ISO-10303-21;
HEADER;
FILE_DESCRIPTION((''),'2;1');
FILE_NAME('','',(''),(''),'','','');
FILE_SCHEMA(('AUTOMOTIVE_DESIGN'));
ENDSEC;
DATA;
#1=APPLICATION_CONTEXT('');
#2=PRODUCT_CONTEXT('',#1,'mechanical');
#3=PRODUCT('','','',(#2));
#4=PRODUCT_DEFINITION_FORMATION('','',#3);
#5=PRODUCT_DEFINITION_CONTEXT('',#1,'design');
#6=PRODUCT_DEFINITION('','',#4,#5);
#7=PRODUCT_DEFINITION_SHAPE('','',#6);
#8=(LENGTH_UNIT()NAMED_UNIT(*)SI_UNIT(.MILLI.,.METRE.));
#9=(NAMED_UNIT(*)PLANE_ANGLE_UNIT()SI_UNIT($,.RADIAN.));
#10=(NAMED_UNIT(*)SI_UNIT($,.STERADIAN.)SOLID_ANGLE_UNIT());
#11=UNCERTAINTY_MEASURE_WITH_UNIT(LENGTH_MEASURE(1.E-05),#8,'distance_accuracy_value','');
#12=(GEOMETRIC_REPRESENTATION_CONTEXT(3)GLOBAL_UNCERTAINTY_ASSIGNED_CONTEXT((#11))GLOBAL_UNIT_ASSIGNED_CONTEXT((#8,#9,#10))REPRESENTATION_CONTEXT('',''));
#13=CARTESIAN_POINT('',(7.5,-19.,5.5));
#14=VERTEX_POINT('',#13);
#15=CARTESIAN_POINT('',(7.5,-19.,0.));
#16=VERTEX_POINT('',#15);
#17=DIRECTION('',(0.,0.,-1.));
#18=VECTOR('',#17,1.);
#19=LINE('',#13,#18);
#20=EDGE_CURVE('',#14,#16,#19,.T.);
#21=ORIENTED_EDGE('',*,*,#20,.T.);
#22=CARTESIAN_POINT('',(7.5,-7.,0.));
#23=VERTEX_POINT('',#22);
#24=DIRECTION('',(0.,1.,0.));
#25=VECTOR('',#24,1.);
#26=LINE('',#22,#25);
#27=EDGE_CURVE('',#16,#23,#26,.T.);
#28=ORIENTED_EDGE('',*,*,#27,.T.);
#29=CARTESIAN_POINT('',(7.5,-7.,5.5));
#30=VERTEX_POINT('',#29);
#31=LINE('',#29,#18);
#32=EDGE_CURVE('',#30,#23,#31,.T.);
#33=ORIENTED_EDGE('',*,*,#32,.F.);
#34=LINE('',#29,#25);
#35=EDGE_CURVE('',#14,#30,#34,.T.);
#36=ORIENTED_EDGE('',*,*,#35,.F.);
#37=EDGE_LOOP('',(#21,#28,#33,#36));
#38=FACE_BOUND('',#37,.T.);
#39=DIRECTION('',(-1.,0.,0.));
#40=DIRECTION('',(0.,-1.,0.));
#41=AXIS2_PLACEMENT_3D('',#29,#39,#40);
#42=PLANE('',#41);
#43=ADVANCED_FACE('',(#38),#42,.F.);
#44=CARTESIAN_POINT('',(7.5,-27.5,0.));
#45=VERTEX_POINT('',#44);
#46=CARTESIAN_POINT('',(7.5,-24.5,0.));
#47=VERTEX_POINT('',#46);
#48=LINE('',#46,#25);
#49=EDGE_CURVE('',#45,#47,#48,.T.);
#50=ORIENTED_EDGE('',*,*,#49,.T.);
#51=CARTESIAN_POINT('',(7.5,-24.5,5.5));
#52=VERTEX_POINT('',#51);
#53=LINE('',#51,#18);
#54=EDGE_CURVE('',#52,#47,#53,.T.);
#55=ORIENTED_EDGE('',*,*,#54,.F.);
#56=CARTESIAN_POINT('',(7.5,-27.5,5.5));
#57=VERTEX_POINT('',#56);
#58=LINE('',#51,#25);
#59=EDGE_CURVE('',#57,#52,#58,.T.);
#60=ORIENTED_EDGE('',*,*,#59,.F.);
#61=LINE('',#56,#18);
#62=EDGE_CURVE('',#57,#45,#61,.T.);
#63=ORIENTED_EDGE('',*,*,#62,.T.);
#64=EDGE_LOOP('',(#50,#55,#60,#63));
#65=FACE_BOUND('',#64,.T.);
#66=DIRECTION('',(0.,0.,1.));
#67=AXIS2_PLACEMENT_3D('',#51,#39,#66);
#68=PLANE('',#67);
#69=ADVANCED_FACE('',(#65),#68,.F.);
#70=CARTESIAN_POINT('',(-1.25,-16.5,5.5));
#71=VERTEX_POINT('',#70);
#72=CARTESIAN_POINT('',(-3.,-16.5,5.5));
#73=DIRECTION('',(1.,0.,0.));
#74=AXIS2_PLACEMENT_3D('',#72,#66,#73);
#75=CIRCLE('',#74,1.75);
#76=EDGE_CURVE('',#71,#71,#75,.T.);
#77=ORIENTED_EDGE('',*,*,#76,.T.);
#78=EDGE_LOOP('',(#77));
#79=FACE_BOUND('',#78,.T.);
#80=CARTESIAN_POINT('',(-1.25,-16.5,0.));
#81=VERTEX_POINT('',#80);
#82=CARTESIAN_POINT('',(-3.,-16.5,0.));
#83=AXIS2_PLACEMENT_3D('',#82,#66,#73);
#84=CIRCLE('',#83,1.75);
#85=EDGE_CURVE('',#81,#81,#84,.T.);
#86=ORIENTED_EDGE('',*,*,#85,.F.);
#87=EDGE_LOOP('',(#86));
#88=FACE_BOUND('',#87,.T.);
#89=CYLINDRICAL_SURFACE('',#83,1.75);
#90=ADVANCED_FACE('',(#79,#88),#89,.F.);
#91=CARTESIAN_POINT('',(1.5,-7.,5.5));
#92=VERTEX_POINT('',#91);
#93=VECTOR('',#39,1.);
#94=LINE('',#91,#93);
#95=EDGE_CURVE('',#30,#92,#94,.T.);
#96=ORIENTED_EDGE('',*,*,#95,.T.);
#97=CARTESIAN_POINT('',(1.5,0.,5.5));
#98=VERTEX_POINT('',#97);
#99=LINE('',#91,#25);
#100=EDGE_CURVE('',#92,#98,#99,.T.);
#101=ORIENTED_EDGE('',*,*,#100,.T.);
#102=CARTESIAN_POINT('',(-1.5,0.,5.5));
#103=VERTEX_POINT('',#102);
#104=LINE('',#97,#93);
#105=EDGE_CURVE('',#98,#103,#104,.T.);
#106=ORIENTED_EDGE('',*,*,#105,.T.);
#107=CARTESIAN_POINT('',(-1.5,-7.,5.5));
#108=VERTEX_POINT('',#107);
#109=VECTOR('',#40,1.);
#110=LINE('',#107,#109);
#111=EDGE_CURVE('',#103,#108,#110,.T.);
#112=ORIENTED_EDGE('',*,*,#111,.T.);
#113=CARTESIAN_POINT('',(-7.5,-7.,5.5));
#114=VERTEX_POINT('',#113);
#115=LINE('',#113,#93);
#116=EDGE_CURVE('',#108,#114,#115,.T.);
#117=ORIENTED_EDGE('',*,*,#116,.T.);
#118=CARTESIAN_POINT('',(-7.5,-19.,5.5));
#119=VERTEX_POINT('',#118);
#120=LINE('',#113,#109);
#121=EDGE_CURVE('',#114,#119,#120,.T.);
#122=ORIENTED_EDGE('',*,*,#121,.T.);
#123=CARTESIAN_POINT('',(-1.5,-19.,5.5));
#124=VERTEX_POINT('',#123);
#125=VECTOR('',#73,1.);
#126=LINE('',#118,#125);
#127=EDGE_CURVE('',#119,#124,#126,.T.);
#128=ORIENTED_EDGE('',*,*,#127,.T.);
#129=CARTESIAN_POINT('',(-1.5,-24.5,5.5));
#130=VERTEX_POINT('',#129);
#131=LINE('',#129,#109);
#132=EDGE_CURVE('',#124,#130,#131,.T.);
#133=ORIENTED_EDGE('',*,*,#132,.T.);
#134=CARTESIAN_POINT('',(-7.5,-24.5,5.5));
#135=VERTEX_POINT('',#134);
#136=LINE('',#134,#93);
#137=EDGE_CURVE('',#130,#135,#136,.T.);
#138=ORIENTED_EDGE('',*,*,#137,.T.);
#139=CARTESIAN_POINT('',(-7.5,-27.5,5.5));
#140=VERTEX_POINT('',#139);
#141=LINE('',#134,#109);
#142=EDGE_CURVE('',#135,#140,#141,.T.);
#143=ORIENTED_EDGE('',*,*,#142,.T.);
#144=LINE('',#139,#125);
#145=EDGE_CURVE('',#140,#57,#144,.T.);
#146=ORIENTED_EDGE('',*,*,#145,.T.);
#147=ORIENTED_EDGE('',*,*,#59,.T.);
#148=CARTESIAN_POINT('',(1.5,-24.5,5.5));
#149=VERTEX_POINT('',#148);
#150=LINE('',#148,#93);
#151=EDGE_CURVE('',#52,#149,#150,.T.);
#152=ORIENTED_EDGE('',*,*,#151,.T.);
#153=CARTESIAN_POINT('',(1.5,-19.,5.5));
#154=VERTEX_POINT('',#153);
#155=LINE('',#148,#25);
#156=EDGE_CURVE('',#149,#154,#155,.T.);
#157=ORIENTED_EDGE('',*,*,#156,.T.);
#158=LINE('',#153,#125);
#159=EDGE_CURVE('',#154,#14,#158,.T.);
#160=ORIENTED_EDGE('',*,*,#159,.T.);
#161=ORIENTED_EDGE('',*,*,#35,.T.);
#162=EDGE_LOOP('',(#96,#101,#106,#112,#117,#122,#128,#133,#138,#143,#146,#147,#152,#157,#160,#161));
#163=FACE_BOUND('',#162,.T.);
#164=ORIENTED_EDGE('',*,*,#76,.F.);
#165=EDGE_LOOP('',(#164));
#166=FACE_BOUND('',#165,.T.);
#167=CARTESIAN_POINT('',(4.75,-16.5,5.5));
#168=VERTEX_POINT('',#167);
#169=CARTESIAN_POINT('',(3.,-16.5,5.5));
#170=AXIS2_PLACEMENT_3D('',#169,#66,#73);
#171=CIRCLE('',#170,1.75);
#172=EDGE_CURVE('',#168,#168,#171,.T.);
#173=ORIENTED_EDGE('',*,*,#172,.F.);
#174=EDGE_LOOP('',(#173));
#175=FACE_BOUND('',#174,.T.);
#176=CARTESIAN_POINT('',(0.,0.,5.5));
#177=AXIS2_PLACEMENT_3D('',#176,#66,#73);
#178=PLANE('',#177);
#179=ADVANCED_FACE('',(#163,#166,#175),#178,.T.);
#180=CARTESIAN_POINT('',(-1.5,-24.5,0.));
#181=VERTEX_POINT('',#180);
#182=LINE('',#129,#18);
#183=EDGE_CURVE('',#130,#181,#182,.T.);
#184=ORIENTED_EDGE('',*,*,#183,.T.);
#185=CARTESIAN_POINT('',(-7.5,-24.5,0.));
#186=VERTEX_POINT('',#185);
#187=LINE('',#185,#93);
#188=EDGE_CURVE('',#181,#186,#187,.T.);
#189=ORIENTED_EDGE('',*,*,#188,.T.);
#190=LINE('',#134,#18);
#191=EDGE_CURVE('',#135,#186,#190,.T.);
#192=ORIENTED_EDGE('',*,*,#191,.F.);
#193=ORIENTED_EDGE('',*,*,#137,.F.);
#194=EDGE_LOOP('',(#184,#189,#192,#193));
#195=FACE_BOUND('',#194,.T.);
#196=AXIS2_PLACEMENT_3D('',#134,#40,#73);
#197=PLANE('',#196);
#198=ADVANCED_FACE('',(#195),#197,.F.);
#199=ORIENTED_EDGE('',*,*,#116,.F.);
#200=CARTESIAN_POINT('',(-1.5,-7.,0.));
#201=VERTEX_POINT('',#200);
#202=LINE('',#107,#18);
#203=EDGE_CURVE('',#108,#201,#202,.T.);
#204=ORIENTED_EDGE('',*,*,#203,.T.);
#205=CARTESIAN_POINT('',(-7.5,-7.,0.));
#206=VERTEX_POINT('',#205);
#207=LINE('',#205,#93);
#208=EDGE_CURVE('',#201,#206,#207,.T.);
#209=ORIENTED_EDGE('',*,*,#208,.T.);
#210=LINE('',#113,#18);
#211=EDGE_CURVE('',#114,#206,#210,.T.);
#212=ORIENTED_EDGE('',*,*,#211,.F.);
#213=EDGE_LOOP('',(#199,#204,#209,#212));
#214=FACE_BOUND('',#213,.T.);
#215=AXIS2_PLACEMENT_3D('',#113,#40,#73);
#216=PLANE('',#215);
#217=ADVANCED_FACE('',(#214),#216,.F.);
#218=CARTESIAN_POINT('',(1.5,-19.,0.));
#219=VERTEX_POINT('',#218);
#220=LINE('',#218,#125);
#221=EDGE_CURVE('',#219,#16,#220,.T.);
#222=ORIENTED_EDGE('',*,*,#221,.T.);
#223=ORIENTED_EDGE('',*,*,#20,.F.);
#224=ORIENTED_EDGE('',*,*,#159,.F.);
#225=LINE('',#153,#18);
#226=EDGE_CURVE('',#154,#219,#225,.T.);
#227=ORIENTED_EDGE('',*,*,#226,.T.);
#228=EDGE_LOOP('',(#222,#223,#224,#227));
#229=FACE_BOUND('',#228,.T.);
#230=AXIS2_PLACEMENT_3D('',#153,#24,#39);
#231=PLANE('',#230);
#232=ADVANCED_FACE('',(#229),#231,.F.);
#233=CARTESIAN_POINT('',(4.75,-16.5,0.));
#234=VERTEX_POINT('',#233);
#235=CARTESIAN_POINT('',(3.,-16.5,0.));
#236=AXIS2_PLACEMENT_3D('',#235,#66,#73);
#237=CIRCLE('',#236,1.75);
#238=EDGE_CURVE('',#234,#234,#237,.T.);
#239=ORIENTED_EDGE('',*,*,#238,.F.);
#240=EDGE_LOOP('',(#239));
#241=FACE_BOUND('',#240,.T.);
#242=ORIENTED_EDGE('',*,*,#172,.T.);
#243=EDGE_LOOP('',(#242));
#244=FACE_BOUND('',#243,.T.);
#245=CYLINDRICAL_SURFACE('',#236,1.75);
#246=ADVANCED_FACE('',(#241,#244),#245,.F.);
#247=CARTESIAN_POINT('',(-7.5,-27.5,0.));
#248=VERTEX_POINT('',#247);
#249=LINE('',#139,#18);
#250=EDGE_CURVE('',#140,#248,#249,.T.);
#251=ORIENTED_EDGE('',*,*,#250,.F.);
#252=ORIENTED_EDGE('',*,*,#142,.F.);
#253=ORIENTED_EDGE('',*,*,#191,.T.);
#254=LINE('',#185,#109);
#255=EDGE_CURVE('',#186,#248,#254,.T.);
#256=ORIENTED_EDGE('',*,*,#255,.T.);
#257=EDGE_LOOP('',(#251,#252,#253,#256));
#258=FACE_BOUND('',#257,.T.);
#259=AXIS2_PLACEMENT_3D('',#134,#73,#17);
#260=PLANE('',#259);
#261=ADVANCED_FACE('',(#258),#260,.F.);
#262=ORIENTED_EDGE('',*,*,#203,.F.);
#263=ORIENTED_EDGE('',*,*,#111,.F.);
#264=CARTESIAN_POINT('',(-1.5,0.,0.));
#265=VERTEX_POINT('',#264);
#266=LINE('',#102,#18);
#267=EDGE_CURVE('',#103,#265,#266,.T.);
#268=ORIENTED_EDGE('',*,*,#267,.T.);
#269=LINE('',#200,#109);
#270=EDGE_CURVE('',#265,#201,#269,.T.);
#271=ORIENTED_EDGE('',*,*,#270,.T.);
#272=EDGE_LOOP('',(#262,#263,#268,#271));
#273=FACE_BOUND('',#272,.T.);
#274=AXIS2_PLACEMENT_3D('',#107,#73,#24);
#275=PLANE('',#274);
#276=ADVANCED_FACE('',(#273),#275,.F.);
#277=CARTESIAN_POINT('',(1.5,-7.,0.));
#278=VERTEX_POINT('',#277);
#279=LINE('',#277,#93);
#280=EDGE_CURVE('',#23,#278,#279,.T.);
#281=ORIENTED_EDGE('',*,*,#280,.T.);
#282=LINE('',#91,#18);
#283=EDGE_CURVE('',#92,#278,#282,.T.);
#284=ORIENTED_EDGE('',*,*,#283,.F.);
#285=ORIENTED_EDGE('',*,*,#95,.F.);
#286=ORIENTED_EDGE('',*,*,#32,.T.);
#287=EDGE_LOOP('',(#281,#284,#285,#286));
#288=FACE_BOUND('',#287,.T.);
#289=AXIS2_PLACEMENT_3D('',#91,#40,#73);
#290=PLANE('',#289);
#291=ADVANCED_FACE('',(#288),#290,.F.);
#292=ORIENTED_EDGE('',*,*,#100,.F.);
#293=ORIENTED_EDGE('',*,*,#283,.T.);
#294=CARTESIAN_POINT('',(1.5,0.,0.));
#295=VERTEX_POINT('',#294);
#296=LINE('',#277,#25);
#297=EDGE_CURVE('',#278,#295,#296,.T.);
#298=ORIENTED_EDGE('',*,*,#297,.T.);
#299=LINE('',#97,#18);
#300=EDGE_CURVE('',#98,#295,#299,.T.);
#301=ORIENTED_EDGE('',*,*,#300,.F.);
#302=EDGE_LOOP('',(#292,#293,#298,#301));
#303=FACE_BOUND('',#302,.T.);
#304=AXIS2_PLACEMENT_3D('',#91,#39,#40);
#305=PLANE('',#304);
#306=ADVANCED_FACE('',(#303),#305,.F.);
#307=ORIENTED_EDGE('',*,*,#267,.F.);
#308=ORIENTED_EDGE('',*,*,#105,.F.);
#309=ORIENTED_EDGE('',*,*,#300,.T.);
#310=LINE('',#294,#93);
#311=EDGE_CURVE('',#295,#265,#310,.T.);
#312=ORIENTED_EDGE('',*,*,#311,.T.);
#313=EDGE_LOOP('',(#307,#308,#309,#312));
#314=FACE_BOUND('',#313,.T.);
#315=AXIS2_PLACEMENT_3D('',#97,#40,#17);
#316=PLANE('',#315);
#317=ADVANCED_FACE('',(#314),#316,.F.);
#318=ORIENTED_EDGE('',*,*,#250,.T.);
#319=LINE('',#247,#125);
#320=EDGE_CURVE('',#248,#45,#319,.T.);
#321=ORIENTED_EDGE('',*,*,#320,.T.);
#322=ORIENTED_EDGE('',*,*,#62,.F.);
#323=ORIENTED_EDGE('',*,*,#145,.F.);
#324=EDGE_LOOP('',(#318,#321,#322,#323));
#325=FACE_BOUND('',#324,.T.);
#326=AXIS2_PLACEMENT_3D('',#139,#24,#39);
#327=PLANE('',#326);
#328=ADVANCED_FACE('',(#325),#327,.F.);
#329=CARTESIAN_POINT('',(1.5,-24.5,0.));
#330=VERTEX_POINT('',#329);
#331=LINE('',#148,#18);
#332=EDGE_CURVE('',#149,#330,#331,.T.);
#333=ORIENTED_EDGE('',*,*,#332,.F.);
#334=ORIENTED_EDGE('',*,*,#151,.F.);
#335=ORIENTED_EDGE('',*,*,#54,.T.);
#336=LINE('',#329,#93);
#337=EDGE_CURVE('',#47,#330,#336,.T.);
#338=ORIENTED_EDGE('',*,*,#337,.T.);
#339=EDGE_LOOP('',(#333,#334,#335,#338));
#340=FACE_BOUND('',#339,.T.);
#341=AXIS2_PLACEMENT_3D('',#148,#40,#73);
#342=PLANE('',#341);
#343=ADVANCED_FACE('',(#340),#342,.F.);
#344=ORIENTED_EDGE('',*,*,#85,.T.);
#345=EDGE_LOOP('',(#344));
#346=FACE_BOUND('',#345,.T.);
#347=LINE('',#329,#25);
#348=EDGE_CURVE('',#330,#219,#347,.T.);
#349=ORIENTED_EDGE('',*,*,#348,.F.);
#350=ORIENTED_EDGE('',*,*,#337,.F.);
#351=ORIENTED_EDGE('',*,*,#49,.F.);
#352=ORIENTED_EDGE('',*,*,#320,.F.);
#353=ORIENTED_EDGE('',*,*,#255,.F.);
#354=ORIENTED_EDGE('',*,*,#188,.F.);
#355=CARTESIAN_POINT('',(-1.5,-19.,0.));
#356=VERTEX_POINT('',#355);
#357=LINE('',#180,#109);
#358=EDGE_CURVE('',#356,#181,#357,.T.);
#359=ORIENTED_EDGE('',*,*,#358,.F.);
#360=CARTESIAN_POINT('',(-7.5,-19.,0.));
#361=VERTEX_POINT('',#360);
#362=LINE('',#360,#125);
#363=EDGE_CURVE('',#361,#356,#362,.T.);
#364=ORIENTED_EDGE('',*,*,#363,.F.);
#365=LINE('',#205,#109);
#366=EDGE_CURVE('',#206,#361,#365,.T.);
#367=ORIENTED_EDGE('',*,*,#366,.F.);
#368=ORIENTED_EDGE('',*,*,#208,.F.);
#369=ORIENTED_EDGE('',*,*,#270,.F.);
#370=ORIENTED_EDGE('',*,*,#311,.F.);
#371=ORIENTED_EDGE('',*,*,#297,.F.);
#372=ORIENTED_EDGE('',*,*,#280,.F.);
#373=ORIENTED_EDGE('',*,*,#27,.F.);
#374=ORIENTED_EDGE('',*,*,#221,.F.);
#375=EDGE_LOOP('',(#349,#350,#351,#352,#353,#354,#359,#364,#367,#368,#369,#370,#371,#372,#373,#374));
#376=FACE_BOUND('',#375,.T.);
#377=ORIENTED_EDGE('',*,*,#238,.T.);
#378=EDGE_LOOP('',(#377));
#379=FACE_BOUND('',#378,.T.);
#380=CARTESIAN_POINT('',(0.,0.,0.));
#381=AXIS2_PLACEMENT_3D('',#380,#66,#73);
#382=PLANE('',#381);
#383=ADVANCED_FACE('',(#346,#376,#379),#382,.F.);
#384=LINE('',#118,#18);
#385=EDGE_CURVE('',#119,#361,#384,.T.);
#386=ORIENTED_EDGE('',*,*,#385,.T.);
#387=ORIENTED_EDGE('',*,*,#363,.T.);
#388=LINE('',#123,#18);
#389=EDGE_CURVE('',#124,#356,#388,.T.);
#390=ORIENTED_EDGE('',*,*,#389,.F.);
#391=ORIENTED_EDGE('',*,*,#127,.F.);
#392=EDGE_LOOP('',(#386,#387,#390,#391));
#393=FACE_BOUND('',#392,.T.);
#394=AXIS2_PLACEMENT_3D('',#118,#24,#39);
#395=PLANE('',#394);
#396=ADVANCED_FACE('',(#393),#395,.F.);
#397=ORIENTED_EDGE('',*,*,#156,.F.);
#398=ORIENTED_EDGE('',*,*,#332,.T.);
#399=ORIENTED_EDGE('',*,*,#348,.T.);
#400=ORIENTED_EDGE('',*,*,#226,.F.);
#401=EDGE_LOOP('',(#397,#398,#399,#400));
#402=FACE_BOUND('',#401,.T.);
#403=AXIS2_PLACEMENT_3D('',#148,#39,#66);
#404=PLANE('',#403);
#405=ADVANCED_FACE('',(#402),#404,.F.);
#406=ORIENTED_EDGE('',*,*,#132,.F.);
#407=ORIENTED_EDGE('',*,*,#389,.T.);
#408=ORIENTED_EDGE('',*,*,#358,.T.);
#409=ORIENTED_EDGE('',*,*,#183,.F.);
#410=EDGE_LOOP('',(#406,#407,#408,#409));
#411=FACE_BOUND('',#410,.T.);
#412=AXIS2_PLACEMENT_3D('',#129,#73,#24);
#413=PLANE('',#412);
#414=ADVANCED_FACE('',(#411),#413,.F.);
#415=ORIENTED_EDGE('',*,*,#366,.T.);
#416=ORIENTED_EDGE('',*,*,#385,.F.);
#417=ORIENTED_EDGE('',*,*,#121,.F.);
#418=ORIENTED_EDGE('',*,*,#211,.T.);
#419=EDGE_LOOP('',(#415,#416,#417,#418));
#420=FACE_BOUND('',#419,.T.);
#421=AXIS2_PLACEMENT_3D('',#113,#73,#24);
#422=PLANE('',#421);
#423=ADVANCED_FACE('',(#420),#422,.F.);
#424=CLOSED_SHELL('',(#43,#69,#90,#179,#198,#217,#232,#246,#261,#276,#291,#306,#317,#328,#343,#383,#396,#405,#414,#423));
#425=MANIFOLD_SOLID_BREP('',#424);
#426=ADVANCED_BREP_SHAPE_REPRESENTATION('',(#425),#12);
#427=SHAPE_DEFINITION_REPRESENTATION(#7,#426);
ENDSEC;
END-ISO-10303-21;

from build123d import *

# Parameters (mm, degrees)
EXTRUDE_1_DEPTH     = 5.5
SKETCH_2_R          = 1.75
CUT_EXTRUDE_1_DEPTH = 30.030156734


with BuildPart() as part:
    # ｽｹｯﾁ1 → ﾎﾞｽ - 押し出し1 (new body)
    with BuildSketch(Plane.XY):
        Polygon((1.5, -7), (7.5, -7), (7.5, -19), (1.5, -19), (1.5, -24.5), (7.5, -24.5), (7.5, -27.5), (-7.5, -27.5), (-7.5, -24.5), (-1.5, -24.5), (-1.5, -19), (-7.5, -19), (-7.5, -7), (-1.5, -7), (-1.5, 0), (1.5, 0), align=None)
    extrude(amount=EXTRUDE_1_DEPTH)

    # ｽｹｯﾁ2 → ｶｯﾄ - 押し出し1 (cut, through all)
    with BuildSketch(Plane.XY.offset(5.5)):
        with Locations((-3, -16.5)):
            Circle(SKETCH_2_R)
        with Locations((3, -16.5)):
            Circle(SKETCH_2_R)
    extrude(amount=-CUT_EXTRUDE_1_DEPTH, mode=Mode.SUBTRACT)


solid = part.part
